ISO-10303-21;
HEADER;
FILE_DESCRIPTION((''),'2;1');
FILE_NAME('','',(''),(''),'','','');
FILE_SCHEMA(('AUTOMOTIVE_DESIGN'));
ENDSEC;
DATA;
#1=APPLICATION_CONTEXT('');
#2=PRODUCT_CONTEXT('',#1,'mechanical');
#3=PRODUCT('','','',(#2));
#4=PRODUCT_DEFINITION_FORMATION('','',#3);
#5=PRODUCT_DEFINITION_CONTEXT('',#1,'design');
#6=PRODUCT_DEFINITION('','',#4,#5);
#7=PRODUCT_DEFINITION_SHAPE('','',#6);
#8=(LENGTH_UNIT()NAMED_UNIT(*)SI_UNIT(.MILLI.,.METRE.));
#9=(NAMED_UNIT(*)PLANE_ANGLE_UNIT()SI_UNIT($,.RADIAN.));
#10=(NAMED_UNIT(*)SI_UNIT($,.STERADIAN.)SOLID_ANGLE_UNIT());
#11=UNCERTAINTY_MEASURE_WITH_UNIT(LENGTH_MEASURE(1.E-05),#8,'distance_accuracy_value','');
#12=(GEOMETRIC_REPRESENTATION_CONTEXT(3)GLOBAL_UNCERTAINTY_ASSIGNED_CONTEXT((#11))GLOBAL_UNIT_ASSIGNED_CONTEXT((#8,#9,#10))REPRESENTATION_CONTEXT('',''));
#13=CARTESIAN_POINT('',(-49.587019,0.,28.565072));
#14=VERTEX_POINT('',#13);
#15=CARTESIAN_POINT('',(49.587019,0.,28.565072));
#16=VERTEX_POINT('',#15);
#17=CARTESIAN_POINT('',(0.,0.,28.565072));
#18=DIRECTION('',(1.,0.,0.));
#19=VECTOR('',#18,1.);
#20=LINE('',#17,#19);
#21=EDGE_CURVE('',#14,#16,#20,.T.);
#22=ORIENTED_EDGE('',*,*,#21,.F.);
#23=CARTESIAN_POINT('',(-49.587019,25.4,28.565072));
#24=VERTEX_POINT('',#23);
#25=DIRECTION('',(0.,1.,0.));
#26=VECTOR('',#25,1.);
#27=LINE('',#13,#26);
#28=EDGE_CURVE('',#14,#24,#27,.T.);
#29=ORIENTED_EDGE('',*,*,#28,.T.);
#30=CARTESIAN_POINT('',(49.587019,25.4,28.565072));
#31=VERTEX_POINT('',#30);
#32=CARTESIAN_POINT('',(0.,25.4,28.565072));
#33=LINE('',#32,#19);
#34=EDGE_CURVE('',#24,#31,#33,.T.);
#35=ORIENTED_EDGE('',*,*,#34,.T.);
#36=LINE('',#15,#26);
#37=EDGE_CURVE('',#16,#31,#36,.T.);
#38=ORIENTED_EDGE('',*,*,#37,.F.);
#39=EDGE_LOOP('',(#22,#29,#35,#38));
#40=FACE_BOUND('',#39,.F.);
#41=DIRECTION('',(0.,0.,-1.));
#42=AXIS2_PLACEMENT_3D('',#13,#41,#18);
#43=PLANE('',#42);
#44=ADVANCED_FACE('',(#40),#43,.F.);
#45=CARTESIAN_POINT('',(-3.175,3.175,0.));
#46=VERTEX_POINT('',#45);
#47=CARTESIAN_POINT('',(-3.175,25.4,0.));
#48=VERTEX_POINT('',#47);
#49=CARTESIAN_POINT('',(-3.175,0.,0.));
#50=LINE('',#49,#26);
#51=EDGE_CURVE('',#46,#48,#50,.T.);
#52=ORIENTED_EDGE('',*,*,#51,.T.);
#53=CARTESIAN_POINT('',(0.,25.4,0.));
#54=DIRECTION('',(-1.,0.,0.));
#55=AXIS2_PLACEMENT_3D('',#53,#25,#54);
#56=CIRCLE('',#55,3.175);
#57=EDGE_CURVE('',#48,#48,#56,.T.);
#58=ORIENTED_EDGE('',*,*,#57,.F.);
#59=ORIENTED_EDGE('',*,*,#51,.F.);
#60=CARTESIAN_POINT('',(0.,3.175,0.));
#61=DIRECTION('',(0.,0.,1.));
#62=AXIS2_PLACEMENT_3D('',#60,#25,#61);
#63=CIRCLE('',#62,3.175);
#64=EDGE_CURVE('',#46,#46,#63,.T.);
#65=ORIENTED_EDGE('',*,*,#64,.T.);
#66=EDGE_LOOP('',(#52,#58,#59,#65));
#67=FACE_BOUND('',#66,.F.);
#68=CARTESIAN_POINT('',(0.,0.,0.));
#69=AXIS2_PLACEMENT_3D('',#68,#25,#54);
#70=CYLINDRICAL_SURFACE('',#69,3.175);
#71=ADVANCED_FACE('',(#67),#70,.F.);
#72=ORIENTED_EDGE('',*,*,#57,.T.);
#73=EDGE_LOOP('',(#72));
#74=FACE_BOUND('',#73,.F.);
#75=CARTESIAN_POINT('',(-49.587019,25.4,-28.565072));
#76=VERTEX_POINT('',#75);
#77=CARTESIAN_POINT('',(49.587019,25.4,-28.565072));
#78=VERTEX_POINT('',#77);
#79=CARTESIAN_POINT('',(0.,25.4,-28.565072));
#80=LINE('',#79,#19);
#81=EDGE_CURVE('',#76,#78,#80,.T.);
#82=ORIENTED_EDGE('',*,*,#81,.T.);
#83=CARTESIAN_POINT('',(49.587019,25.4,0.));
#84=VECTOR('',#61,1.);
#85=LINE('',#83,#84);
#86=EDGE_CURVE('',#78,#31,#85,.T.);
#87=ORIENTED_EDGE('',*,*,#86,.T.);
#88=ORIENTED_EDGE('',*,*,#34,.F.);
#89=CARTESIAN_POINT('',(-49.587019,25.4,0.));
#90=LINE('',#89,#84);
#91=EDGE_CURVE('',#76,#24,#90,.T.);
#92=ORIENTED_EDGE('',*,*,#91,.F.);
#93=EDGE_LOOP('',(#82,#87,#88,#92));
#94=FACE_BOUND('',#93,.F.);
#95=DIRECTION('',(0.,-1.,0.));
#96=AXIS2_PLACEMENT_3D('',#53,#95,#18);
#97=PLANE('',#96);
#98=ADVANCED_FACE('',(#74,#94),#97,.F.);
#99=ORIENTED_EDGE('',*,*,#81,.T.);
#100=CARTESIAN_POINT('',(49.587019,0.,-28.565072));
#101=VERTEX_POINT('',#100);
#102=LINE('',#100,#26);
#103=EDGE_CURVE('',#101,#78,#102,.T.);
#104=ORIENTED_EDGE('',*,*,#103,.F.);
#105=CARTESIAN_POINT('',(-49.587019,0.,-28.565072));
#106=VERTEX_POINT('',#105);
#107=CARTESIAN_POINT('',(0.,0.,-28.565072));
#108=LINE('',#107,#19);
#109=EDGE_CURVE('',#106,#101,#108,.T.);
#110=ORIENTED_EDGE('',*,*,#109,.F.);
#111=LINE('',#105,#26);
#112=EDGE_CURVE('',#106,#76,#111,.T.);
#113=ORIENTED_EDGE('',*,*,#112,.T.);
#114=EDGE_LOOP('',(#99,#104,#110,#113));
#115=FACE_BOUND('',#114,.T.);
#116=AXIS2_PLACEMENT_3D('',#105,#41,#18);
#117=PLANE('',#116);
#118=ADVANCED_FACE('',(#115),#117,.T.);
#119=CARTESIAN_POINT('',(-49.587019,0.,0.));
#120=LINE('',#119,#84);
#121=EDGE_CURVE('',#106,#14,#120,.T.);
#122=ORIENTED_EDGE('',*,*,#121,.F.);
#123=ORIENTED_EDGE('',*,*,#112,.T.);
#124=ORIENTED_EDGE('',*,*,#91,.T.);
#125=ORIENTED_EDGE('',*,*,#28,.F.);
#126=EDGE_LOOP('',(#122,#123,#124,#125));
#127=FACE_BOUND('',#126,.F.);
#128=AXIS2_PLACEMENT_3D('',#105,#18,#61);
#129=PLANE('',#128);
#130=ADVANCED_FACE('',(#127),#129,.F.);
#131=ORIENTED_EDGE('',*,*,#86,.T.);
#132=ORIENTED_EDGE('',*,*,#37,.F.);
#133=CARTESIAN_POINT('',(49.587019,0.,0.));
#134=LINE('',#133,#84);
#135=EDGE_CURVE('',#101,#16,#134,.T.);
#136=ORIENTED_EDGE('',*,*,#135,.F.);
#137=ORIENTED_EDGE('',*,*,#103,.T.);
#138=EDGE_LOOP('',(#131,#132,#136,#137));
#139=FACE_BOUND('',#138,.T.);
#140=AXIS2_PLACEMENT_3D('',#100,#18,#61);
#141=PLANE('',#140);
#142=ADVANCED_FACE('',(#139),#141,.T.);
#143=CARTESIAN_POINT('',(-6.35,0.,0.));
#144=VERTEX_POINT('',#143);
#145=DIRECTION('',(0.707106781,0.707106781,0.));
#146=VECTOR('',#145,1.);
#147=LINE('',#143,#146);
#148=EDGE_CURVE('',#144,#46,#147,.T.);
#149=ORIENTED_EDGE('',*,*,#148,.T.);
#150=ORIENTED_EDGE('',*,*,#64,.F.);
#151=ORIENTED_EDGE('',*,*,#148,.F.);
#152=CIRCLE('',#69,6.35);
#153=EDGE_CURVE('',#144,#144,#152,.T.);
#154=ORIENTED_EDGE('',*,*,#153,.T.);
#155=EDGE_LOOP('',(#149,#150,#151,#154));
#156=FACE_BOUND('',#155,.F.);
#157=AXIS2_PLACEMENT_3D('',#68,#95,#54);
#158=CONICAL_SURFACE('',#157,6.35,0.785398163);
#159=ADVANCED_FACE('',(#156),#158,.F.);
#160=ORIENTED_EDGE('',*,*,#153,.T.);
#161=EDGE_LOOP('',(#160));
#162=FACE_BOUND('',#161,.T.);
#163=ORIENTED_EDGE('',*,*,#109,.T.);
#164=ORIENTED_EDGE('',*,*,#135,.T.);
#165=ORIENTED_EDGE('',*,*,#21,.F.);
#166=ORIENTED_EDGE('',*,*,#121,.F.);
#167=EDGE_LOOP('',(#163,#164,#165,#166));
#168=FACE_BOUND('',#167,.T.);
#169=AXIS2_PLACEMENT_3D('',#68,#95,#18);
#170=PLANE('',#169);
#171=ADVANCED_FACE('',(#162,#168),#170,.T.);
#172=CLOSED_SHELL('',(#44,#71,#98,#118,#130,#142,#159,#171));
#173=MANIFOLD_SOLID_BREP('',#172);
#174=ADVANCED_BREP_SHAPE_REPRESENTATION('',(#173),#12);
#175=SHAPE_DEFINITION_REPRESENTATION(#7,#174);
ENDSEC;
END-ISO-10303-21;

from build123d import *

# Parameters (mm, degrees)
F0_W           = 99.174038
F0_H           = 57.130144
F1_DEPTH       = 25.4
F2_D           = 6.35
F2_CSINK_D     = 12.7
F2_CSINK_ANGLE = 90


with BuildPart() as f1:
    # F0 (on Front) → F1 (new body)
    with BuildSketch(Plane.XZ):
        Rectangle(F0_W, F0_H)
    extrude(amount=-F1_DEPTH)

    # F2 (through all)
    with Locations(Plane.XZ):
        with Locations((0, 0)):
            CounterSinkHole(F2_D / 2, F2_CSINK_D / 2, counter_sink_angle=F2_CSINK_ANGLE)


solid = f1.part
